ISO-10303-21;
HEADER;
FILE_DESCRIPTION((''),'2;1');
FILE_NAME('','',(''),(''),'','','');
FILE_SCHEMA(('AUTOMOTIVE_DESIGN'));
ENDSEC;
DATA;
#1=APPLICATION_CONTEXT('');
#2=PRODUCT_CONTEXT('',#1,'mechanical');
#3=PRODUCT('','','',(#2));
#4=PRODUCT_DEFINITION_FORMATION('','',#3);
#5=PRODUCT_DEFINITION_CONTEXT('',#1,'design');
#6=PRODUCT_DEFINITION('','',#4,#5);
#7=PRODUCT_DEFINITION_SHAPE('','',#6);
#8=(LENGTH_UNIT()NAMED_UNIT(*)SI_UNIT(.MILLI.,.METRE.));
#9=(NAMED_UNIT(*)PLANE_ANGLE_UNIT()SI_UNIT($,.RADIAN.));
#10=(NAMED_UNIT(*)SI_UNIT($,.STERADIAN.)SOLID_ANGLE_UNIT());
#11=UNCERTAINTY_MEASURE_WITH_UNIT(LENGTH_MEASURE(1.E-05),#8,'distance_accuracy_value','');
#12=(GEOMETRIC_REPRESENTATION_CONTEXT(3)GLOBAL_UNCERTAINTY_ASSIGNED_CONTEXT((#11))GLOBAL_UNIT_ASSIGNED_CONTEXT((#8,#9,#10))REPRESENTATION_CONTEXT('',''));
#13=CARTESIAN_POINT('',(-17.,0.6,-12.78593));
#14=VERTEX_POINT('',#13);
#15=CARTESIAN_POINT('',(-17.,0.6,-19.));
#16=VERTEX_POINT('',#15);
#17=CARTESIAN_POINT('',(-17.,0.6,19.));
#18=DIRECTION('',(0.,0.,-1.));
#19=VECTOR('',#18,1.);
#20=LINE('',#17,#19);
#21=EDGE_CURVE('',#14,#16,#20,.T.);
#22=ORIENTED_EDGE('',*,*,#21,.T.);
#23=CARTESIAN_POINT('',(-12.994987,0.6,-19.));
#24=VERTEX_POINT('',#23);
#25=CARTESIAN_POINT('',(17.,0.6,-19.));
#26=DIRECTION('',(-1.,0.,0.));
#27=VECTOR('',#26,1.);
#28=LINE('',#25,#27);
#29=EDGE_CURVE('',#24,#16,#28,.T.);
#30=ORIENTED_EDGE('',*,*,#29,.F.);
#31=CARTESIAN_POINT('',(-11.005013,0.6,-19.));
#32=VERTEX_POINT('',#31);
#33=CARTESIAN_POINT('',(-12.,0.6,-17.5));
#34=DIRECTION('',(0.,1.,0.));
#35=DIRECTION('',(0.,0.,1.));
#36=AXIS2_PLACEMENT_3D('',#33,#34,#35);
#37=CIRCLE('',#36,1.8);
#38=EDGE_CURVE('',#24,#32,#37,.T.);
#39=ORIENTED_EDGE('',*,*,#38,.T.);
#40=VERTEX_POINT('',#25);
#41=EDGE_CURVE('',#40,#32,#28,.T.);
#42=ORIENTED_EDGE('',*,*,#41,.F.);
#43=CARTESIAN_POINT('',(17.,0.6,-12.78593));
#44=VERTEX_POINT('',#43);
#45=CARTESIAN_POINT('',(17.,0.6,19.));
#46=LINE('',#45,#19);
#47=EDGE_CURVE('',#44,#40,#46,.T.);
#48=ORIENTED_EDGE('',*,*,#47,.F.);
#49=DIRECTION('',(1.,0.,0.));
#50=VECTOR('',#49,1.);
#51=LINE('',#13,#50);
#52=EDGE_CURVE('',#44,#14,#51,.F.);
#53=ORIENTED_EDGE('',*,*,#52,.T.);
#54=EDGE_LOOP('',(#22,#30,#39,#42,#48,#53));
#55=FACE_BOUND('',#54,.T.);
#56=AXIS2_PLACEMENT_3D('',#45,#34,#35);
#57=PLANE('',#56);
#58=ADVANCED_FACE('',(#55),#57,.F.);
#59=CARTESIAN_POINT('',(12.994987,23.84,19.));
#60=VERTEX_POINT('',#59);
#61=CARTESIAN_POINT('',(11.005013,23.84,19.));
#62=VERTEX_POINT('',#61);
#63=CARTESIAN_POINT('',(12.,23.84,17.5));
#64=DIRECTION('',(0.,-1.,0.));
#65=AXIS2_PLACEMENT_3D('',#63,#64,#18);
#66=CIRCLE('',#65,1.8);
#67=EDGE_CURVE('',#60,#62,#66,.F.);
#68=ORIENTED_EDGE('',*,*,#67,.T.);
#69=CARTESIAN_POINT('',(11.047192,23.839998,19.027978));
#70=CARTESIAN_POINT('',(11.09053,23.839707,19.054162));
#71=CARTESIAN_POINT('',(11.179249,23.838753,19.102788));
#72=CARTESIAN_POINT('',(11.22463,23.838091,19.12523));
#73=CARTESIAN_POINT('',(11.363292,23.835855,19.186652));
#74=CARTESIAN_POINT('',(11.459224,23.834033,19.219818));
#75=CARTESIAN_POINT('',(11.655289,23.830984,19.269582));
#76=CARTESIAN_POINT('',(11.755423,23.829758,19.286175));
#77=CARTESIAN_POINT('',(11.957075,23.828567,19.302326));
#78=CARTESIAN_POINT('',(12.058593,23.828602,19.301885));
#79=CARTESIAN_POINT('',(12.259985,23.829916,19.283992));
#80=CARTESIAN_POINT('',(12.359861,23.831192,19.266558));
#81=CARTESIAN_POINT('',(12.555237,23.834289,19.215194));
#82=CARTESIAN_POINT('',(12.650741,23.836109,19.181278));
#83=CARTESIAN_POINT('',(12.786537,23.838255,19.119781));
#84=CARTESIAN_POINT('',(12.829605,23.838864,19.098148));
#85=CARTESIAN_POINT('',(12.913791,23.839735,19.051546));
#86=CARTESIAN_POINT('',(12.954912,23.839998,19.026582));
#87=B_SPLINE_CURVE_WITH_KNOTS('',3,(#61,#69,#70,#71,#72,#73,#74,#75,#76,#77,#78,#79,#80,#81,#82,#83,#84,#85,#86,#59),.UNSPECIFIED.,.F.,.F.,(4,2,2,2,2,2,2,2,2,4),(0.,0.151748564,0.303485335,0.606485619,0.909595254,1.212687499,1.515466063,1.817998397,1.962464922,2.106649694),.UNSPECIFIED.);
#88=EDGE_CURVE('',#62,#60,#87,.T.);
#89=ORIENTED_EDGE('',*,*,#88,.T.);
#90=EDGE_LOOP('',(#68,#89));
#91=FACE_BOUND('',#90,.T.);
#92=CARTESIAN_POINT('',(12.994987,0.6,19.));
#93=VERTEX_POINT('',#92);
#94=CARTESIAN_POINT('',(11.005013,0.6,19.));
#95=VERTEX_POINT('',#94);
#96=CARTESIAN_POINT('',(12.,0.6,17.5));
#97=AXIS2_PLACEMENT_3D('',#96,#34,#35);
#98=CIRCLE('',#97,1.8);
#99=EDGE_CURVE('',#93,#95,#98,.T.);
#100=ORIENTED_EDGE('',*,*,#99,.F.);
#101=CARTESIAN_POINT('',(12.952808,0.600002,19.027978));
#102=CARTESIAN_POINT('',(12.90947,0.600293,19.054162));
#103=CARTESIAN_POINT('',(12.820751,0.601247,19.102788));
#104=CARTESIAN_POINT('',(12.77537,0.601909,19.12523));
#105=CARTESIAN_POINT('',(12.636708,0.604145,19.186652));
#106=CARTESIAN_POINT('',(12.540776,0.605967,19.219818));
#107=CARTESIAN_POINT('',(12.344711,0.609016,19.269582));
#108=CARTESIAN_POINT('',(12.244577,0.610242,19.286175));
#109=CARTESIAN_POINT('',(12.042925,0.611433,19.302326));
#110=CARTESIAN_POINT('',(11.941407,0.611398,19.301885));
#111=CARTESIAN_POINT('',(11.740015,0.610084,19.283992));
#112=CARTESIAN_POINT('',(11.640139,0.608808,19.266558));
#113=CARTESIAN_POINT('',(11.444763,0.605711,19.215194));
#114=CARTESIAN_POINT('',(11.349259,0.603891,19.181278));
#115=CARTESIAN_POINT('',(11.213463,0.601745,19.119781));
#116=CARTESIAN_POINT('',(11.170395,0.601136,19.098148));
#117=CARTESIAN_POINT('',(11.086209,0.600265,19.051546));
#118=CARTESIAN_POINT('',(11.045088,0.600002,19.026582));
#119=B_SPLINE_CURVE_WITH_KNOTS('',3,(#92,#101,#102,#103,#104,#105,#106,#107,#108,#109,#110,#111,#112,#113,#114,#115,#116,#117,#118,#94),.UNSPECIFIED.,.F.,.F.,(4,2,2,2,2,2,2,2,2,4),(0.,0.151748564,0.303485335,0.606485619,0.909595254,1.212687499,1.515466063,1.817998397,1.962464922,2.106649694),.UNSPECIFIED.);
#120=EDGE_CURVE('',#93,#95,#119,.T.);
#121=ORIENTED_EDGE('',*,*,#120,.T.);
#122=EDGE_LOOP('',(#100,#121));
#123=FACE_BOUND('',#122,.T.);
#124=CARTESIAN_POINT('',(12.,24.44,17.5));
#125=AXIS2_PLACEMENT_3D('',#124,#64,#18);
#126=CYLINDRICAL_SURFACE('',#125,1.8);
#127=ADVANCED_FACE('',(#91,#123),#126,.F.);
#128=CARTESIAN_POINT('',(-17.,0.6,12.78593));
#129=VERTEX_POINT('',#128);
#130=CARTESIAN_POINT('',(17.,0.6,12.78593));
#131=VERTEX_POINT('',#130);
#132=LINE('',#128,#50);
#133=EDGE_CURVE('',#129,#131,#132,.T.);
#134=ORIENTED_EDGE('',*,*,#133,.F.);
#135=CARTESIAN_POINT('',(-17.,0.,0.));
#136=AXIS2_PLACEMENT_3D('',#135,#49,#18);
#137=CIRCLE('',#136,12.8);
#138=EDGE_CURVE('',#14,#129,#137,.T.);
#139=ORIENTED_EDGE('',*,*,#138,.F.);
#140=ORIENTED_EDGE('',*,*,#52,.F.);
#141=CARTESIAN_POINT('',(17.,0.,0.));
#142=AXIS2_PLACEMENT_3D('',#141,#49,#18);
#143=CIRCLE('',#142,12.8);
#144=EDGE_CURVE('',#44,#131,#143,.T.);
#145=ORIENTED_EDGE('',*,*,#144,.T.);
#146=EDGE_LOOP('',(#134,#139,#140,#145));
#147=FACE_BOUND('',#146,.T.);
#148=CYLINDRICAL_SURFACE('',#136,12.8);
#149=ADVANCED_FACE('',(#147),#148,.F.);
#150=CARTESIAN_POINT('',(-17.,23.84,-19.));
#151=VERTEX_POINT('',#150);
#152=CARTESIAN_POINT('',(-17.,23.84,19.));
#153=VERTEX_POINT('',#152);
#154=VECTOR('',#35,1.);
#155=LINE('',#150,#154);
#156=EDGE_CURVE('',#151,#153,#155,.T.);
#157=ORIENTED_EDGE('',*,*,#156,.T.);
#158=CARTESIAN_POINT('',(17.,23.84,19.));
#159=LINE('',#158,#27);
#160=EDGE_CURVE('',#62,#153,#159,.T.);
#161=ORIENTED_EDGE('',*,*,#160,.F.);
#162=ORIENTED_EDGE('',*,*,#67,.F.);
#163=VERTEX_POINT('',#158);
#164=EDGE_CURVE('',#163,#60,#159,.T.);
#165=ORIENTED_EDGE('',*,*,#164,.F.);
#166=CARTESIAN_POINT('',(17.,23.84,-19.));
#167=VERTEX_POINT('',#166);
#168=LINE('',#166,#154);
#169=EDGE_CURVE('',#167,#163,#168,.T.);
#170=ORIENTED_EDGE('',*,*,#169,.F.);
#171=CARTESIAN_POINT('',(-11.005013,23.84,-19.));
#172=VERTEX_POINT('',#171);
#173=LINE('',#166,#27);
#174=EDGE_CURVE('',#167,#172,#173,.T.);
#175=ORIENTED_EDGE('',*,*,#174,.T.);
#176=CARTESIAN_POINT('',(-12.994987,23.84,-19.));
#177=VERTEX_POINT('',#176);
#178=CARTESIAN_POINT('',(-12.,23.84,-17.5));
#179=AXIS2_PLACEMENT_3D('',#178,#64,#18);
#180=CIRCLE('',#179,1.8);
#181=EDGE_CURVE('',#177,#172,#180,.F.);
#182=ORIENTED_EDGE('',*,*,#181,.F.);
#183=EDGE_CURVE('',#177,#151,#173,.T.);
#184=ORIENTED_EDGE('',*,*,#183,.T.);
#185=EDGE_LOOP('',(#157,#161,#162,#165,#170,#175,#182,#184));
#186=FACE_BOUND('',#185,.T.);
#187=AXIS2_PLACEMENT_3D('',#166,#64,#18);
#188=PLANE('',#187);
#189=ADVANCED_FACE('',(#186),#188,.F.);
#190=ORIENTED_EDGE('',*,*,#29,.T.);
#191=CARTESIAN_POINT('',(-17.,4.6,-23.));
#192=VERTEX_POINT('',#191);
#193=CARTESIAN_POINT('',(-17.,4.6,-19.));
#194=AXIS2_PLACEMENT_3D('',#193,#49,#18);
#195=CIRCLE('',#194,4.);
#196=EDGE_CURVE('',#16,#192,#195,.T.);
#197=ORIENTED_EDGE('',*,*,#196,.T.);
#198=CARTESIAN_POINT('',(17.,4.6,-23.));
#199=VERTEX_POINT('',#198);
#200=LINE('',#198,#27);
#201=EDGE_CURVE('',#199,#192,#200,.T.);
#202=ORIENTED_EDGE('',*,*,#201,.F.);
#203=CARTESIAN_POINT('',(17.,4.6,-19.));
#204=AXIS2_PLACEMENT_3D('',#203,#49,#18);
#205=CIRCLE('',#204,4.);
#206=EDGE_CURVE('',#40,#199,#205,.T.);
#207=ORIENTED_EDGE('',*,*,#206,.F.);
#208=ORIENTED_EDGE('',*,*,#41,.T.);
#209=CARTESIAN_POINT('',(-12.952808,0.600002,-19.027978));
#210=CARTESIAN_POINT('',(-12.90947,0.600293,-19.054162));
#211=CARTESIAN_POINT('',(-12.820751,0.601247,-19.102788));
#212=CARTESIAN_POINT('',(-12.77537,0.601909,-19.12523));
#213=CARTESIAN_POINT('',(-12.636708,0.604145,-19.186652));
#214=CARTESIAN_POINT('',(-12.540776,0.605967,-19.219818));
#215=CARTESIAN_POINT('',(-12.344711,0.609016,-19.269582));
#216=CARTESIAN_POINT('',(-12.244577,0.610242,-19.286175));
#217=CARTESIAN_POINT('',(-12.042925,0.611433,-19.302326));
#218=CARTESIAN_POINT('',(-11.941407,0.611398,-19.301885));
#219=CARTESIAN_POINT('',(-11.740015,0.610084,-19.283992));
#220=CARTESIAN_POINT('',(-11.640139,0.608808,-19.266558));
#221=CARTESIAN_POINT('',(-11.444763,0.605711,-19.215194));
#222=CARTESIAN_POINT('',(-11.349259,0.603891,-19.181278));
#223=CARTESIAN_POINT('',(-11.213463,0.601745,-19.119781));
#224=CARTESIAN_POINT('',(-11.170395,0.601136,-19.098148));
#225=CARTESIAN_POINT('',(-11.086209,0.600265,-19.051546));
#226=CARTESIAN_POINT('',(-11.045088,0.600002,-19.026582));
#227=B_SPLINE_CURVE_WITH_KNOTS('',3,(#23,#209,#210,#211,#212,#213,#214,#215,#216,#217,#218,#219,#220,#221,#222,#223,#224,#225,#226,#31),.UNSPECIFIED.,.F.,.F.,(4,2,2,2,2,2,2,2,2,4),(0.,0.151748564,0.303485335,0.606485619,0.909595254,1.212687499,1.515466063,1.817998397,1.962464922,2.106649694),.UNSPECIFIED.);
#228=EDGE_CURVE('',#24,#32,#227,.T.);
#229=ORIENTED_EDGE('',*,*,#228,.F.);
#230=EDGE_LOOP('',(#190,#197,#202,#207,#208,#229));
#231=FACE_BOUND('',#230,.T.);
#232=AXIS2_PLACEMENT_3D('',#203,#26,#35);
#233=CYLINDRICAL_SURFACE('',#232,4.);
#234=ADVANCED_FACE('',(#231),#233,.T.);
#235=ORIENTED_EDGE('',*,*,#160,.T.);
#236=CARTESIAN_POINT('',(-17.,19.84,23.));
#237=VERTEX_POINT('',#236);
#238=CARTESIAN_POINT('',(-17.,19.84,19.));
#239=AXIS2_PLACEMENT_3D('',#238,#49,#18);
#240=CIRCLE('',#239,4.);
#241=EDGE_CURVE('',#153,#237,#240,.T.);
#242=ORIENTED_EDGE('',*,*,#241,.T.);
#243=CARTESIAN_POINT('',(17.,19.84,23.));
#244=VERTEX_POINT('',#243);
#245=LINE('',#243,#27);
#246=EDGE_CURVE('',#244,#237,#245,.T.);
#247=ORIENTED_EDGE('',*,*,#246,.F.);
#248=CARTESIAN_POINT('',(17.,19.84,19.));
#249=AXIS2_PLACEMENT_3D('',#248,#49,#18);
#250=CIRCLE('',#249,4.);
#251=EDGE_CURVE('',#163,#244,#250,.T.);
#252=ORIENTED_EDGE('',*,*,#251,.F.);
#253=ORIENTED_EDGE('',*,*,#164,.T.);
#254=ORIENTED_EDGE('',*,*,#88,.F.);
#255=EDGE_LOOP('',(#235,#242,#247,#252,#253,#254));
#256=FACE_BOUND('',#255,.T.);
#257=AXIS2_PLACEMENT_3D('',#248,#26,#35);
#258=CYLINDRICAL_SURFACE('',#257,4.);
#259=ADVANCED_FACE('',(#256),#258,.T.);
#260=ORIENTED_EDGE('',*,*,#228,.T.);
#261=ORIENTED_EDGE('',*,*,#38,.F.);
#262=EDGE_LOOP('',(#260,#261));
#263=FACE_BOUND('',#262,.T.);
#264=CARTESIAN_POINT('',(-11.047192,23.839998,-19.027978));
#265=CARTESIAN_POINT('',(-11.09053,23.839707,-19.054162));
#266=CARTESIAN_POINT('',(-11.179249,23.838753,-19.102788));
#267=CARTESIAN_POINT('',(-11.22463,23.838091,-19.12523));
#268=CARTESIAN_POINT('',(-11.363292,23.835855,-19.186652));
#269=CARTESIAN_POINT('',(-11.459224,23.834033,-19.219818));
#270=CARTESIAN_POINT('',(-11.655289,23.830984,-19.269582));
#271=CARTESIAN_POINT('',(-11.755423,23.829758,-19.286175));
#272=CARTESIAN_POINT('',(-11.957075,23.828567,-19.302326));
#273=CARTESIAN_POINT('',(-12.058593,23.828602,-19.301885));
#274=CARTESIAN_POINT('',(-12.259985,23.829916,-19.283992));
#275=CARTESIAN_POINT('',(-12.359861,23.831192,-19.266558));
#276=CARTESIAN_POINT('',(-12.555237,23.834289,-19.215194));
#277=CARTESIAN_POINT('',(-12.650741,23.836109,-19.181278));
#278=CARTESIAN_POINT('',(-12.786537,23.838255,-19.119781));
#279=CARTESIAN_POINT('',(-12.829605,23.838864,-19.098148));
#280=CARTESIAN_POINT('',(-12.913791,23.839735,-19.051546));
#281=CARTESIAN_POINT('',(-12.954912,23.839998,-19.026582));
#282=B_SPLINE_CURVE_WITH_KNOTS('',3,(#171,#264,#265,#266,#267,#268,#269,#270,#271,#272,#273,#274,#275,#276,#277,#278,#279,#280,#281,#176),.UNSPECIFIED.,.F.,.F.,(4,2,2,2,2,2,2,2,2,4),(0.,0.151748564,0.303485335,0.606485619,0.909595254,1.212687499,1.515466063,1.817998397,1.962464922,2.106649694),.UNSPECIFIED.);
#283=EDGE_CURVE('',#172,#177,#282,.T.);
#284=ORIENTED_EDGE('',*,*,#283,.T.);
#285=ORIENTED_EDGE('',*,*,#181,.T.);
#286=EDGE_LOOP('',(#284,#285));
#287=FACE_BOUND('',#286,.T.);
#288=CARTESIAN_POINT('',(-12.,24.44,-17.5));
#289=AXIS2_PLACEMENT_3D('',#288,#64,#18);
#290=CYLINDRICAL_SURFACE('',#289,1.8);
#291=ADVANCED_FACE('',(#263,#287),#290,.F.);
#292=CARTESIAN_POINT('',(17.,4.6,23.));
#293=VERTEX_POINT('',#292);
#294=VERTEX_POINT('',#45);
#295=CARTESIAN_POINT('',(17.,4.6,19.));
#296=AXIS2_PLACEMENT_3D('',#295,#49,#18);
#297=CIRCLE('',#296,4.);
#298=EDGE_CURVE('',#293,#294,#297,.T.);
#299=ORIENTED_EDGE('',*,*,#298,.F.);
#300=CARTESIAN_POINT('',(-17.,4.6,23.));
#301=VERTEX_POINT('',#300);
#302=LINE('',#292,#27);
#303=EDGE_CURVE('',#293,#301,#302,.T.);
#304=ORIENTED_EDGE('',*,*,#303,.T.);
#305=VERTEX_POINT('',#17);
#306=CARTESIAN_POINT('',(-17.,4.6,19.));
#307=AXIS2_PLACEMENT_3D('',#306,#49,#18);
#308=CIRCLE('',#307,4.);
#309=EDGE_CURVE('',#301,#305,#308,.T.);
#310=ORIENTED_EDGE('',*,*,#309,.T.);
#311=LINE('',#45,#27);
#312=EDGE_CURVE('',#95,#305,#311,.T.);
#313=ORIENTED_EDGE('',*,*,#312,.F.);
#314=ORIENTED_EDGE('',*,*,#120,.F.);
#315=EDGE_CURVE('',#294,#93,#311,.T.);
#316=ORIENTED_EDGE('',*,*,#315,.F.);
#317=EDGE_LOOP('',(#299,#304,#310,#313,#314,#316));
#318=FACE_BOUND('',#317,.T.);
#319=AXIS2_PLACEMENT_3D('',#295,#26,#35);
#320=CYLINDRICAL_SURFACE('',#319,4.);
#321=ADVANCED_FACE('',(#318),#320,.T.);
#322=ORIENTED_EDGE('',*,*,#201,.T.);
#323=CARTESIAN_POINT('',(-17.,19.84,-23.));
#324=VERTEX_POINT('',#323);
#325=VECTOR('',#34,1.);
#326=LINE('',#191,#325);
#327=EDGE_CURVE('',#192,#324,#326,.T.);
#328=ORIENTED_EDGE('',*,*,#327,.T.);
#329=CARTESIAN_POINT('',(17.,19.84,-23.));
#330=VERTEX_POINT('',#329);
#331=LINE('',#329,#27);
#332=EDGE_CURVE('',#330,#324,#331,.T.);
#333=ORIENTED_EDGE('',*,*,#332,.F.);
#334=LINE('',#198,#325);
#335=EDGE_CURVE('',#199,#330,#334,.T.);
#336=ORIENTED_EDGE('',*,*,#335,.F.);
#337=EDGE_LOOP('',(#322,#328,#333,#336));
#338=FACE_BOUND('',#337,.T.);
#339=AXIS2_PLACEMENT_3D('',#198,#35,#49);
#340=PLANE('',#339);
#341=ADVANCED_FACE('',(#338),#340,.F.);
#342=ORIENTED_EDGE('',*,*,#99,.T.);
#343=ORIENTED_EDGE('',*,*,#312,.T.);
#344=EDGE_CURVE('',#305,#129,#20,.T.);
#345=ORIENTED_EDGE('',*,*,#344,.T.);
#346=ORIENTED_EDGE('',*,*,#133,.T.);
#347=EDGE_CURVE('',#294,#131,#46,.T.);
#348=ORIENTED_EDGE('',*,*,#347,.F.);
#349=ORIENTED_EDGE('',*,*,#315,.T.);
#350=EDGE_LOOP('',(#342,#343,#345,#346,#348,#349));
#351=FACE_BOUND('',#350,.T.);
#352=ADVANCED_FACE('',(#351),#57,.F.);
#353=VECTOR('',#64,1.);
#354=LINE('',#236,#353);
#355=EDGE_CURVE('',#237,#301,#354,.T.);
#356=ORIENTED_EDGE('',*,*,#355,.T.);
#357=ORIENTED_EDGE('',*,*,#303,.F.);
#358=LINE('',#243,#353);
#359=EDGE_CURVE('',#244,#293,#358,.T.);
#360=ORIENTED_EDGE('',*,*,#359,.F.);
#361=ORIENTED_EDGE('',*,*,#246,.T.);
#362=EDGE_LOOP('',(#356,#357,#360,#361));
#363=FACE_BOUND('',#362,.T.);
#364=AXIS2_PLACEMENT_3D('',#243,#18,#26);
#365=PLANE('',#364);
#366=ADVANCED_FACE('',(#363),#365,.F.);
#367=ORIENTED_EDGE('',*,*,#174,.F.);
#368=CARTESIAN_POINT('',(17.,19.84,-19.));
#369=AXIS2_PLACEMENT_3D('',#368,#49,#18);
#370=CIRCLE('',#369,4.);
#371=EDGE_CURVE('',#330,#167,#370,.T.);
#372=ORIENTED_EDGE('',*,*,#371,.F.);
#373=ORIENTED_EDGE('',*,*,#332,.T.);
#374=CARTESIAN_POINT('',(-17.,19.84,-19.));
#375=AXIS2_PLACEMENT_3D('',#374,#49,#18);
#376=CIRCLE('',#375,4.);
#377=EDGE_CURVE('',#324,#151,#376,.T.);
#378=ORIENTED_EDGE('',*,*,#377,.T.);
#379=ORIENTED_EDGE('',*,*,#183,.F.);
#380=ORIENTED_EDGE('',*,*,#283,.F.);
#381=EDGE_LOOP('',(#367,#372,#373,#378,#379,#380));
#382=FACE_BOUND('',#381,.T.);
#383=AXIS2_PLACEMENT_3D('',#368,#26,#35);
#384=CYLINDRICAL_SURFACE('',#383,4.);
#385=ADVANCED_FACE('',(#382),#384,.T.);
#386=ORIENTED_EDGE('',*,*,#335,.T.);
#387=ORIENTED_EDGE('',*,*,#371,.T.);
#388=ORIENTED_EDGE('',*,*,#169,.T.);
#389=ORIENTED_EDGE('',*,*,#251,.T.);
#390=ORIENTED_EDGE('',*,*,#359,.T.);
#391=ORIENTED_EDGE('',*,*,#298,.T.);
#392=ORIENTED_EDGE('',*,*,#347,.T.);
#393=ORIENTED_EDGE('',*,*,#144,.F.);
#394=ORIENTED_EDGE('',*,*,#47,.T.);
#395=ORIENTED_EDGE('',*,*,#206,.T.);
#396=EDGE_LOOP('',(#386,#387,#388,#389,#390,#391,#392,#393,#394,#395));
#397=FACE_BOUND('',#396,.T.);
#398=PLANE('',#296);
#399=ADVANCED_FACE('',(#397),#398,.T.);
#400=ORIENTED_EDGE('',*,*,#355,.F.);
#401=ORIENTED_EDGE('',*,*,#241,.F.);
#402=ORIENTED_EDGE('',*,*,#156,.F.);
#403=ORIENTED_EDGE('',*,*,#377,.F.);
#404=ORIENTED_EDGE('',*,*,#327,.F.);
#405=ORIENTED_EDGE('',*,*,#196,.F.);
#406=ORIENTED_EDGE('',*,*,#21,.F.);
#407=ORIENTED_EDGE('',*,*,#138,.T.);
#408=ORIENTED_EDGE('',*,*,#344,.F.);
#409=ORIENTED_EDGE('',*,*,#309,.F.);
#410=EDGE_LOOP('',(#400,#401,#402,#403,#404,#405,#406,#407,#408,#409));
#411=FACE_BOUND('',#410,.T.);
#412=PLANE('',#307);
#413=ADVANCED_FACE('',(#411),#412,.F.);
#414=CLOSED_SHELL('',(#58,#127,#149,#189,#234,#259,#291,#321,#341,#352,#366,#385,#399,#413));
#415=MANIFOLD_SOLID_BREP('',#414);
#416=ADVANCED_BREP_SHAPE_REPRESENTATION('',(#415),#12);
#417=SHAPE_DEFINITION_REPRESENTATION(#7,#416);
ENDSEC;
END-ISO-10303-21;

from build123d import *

# Parameters (mm, degrees)
BOSS_EXTRUDE1_DEPTH     = 17
CUT_EXTRUDE1_DEPTH      = 38.233662189
CUT_EXTRUDE1_DEPTH_BACK = 38.233662189
SKETCH2_R               = 12.8
SKETCH3_R               = 1.8
CUT_EXTRUDE2_DEPTH      = 23.84


with BuildPart() as part:
    # Sketch1 → Boss-Extrude1 (new, symmetric)
    with BuildSketch(Plane(origin=(0, 0, 0), x_dir=(0, 0, -1), z_dir=(1, 0, 0))):
        with BuildLine():
            Line((-19, 0.6), (19, 0.6))
            ThreePointArc((19, 0.6), (21.828427125, 1.771572875), (23, 4.6))
            Line((23, 4.6), (23, 19.84))
            ThreePointArc((23, 19.84), (21.828427125, 22.668427125), (19, 23.84))
            Line((19, 23.84), (-19, 23.84))
            ThreePointArc((-19, 23.84), (-21.828427125, 22.668427125), (-23, 19.84))
            Line((-23, 19.84), (-23, 4.6))
            ThreePointArc((-23, 4.6), (-21.828427125, 1.771572875), (-19, 0.6))
        make_face()
    extrude(amount=BOSS_EXTRUDE1_DEPTH, both=True)

    # Sketch2 → Cut-Extrude1 (cut, two sides: drawn at the far end of the back side and taken through both)
    with BuildSketch(Plane(origin=(0, 0, 0), x_dir=(0, 0, -1), z_dir=(1, 0, 0)).offset(-CUT_EXTRUDE1_DEPTH_BACK)):
        Circle(SKETCH2_R)
    extrude(amount=CUT_EXTRUDE1_DEPTH + CUT_EXTRUDE1_DEPTH_BACK, mode=Mode.SUBTRACT)

    # Sketch3 → Cut-Extrude2 (cut)
    with BuildSketch(Plane(origin=(0, 0.6, 0), x_dir=(1, 0, 0), z_dir=(0, 1, 0))):
        with Locations(Location((12, -17.5, 0), (0, 0, 236.442690238))):
            Circle(SKETCH3_R)
        with Locations(Location((-12, 17.5, 0), (0, 0, 123.557309762))):
            Circle(SKETCH3_R)
    extrude(amount=CUT_EXTRUDE2_DEPTH, mode=Mode.SUBTRACT)


solid = part.part
